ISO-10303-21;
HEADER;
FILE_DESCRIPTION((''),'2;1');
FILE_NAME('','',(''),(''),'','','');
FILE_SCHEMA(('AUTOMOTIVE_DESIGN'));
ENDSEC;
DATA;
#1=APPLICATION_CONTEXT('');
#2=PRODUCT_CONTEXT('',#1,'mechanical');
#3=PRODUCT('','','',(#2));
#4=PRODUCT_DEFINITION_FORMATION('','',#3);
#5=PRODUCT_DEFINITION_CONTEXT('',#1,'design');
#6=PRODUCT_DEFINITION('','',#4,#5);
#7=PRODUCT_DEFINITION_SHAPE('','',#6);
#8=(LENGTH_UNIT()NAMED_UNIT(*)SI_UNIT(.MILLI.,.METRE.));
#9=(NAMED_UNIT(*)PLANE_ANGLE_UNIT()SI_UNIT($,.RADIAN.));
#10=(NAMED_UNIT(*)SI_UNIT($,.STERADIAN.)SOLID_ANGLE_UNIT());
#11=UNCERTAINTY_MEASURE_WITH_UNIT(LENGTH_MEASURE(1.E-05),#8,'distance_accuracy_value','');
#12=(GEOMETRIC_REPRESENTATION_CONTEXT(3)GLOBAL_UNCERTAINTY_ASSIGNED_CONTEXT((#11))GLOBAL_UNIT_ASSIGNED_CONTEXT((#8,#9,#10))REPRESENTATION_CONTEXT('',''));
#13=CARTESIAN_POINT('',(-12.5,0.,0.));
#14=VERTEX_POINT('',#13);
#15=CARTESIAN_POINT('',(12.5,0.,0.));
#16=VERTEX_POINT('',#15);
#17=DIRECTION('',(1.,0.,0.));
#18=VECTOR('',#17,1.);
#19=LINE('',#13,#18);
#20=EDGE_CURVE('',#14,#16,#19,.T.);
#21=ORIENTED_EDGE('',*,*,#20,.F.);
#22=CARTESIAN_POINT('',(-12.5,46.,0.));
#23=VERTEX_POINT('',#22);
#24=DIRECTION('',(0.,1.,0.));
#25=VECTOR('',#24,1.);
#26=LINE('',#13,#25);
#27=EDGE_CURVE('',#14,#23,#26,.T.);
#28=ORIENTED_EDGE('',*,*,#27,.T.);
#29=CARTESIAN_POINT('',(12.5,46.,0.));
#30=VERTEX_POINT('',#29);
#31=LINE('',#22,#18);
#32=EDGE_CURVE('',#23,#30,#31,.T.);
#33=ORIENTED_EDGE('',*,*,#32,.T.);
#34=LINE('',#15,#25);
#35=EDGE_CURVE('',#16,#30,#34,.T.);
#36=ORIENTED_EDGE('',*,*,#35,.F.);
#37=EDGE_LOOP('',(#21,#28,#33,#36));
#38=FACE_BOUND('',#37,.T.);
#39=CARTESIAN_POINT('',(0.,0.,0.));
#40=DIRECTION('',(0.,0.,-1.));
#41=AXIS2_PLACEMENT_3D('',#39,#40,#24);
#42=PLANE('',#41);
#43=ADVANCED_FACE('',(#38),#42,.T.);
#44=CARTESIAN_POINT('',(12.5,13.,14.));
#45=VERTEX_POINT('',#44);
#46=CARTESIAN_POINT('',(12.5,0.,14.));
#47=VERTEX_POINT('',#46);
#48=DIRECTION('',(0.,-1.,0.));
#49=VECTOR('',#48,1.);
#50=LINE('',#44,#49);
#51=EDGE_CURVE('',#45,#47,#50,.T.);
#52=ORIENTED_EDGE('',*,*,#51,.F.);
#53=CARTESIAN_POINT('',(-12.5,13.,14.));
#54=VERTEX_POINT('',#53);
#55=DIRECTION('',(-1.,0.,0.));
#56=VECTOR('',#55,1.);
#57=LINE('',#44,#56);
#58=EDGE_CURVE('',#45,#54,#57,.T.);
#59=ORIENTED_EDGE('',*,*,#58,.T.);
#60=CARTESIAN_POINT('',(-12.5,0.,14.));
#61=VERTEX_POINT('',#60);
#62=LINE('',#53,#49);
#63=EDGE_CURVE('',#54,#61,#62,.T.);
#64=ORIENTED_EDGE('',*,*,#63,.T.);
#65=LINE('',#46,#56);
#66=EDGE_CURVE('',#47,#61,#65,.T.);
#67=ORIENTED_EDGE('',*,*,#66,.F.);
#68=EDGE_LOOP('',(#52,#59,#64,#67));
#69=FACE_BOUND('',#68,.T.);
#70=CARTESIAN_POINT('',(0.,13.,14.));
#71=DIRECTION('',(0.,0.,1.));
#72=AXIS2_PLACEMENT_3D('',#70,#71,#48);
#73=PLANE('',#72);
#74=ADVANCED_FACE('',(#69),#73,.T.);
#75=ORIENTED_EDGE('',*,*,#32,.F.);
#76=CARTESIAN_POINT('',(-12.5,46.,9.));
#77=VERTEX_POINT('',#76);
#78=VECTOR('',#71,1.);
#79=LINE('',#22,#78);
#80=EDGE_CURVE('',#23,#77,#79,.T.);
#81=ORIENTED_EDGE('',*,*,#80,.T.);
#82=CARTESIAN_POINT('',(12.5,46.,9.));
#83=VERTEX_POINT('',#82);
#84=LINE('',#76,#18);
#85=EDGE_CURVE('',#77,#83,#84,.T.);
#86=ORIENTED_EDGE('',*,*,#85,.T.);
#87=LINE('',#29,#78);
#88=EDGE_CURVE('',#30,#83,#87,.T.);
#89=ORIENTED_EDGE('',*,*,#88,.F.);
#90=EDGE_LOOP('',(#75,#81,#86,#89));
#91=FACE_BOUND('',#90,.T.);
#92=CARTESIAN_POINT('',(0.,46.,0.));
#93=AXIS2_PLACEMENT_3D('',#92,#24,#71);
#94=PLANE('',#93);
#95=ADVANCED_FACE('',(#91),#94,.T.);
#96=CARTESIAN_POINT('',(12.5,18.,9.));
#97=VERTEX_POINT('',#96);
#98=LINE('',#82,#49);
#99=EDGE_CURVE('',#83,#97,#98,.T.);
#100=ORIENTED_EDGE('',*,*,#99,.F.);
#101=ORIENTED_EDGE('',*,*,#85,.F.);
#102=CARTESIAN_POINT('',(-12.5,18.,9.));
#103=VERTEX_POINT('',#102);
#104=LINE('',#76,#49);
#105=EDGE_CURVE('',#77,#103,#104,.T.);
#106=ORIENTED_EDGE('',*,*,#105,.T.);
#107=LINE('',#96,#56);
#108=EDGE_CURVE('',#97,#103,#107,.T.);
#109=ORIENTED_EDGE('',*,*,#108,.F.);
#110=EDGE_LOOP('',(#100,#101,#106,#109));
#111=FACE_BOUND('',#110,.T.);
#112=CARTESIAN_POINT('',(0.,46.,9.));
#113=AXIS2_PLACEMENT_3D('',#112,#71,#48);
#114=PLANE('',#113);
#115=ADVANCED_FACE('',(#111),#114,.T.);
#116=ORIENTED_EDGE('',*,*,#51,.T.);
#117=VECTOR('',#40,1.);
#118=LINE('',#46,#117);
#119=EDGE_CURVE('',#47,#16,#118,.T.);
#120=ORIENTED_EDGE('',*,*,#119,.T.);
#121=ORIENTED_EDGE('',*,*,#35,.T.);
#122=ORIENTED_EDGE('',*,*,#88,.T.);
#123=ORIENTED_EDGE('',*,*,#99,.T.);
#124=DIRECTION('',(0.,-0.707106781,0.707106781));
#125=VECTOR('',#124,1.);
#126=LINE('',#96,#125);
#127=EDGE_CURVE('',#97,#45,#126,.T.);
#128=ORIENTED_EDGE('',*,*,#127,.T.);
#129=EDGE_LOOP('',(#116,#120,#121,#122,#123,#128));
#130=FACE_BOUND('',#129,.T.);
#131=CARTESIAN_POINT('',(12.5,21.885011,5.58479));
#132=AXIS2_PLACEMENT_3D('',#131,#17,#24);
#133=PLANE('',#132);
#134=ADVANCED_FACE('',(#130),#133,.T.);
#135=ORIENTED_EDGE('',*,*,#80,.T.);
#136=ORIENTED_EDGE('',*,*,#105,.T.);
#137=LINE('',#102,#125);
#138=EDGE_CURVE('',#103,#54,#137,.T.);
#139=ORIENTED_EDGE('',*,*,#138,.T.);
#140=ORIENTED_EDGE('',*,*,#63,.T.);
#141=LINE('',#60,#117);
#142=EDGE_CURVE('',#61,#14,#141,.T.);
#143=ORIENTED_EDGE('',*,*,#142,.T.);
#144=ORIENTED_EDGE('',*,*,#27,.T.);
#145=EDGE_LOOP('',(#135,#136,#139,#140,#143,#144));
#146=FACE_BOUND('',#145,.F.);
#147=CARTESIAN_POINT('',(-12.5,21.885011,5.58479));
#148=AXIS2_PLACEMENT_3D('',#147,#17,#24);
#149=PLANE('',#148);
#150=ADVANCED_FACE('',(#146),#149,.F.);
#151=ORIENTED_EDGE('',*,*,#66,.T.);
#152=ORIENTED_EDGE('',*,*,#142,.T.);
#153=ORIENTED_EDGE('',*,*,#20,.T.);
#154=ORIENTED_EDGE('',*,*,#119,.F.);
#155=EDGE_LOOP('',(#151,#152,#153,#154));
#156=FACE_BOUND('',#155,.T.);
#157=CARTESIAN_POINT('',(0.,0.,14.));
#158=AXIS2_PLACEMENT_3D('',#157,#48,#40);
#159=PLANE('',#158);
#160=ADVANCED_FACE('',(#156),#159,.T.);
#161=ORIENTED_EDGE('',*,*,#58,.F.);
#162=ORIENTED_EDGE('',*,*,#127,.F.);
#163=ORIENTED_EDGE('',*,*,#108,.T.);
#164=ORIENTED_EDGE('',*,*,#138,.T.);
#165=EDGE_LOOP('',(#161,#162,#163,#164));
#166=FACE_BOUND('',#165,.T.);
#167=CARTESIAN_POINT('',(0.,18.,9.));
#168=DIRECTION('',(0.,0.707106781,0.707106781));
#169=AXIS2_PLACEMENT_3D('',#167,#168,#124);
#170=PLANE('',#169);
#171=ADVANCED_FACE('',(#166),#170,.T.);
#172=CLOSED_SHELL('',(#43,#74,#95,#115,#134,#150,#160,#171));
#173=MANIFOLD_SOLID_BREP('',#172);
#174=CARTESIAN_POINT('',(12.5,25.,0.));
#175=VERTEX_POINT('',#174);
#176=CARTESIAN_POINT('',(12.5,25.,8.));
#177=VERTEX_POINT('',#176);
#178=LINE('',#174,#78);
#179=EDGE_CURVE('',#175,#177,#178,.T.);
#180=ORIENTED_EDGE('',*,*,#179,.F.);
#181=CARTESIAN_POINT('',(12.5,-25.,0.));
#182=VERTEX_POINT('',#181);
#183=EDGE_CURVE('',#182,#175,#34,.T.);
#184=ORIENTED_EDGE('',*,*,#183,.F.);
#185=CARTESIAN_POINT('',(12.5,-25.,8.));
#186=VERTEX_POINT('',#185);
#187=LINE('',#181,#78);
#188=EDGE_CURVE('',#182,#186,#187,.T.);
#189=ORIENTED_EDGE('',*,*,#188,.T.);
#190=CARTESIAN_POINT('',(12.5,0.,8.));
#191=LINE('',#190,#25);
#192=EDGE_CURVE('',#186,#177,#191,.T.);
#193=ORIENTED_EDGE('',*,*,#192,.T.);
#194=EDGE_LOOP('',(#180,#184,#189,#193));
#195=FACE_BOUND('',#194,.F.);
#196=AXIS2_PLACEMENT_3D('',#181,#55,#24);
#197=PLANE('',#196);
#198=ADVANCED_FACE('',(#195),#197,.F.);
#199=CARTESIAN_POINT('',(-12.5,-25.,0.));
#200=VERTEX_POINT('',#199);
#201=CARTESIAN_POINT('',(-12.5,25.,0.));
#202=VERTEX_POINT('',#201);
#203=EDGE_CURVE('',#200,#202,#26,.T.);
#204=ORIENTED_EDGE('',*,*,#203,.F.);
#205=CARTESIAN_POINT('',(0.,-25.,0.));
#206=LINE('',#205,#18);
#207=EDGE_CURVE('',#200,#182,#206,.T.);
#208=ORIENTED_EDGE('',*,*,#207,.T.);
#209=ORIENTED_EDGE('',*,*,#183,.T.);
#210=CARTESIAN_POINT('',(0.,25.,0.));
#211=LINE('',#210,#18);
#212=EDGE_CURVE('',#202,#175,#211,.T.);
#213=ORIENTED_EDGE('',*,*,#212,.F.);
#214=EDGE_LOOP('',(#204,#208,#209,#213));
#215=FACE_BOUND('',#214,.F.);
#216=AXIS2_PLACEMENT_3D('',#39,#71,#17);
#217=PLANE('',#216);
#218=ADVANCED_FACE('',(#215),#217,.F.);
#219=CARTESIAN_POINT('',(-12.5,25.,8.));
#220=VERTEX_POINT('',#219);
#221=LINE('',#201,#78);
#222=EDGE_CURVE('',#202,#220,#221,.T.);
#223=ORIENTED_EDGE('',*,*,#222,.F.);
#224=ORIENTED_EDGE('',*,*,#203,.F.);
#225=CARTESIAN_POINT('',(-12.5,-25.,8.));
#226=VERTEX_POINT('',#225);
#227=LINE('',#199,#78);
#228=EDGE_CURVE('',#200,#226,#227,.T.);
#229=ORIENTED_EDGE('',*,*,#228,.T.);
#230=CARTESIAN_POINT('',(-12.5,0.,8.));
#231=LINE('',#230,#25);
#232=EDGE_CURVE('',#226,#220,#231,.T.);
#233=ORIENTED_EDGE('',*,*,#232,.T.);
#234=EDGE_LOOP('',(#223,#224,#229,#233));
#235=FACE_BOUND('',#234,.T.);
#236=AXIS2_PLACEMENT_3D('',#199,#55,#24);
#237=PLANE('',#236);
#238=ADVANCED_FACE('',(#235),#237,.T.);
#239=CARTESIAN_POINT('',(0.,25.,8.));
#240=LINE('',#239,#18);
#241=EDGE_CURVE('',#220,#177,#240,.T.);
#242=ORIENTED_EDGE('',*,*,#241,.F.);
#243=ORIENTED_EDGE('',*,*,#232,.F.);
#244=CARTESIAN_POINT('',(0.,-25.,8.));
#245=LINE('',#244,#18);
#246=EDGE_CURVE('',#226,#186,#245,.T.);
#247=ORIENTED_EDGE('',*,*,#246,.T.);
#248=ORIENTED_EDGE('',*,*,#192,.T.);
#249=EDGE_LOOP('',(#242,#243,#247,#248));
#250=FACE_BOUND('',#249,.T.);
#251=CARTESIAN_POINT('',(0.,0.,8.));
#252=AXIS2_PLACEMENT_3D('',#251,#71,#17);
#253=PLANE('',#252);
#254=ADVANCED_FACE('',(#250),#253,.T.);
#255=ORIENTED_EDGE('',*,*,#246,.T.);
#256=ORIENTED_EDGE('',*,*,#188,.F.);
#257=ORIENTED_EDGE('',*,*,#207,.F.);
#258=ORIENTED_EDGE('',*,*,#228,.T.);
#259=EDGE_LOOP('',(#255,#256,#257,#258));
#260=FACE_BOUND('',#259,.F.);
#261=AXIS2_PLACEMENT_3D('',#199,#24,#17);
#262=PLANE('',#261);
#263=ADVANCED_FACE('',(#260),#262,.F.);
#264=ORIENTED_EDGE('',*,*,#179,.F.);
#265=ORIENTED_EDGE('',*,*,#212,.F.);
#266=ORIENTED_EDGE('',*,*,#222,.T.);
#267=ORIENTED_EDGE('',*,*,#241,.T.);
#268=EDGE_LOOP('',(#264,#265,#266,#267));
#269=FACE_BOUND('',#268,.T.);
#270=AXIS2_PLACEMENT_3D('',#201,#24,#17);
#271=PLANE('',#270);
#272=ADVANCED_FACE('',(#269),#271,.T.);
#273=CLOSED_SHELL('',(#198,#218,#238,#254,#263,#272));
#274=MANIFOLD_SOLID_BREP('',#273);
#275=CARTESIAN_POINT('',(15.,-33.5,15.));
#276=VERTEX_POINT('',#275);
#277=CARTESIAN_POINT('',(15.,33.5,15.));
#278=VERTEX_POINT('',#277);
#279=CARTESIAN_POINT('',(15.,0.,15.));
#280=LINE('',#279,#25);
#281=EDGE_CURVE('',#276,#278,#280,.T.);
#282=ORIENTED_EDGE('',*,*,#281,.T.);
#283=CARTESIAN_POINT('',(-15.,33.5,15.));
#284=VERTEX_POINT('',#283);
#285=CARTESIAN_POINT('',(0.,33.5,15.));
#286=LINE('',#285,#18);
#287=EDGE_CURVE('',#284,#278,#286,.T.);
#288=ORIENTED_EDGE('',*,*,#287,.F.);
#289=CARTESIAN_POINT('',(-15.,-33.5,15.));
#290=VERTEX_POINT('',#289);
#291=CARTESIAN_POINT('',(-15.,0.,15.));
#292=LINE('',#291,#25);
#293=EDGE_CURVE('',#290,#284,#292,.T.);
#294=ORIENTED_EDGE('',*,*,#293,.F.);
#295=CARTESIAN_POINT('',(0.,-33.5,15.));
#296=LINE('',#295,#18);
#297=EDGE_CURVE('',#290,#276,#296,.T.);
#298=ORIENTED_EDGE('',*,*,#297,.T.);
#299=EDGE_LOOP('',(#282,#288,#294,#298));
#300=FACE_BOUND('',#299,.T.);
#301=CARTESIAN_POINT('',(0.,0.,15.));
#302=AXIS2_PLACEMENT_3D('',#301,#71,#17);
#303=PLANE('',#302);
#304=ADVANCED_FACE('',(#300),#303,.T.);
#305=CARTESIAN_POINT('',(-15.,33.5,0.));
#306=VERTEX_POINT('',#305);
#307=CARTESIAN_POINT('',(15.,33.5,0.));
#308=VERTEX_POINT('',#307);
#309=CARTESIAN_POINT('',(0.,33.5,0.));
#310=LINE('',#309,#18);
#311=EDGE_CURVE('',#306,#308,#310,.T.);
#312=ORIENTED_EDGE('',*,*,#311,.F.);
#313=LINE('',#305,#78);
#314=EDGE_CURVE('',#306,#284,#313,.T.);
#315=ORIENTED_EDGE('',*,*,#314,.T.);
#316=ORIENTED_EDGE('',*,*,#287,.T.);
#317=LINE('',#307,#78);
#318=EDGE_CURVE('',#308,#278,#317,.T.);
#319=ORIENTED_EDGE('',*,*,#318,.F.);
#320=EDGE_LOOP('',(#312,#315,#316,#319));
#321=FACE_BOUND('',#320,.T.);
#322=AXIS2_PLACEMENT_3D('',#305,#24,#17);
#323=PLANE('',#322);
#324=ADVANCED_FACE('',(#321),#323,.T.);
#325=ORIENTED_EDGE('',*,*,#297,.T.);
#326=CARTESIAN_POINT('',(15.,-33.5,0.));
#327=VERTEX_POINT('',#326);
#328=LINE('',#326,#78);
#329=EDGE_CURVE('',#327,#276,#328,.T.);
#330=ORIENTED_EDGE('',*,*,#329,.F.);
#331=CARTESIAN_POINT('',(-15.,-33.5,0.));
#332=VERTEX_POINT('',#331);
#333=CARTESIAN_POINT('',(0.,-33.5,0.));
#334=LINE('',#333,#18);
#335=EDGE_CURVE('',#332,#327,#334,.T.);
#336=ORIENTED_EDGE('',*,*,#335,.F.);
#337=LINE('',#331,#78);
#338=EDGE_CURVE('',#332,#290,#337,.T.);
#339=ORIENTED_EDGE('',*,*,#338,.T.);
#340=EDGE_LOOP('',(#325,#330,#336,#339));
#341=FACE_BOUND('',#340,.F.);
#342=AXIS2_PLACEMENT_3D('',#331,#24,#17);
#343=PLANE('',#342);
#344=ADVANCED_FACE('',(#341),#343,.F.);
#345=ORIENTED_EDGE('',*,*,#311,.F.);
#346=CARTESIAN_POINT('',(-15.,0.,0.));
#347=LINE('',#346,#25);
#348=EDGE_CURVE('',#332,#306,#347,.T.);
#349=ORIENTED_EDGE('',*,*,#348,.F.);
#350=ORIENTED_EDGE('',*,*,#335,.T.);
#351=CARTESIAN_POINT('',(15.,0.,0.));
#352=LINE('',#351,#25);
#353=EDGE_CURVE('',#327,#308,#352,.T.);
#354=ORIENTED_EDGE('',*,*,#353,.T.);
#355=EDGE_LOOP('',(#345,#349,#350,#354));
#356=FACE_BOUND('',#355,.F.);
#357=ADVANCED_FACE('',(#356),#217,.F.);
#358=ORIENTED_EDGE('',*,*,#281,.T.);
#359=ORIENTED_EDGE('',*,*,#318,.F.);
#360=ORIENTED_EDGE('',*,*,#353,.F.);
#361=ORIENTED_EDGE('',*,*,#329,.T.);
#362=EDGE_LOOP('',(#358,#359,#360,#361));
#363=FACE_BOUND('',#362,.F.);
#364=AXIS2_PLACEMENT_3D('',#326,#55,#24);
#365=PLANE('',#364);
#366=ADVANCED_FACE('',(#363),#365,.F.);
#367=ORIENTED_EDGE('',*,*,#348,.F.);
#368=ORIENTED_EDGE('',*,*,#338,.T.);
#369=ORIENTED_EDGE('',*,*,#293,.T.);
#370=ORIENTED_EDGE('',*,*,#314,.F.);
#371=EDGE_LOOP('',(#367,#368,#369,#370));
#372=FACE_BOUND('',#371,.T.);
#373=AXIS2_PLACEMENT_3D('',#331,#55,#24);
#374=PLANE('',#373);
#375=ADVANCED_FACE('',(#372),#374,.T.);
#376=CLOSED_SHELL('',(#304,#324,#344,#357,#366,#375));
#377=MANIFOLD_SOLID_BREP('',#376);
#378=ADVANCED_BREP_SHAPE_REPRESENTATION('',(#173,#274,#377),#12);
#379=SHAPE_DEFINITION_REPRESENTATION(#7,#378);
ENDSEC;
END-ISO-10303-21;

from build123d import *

# Parameters (mm, degrees)
F1_DEPTH = 12.5
F2_W     = 30
F2_H     = 67
F3_DEPTH = 15
F4_W     = 25
F4_H     = 50
F5_DEPTH = 8


with BuildPart() as f1:
    # F0 (on Right) → F1 (new body, symmetric)
    with BuildSketch(Plane.YZ):
        Polygon((0, 14), (0, 0), (46, 0), (46, 9), (18, 9), (13, 14), align=None)
    extrude(amount=F1_DEPTH, both=True)


with BuildPart() as f3:
    # F2 (on Top) → F3 (new body)
    with BuildSketch(Plane.XY):
        Rectangle(F2_W, F2_H)
    extrude(amount=F3_DEPTH)


with BuildPart() as f5:
    # F4 (on Top) → F5 (new body)
    with BuildSketch(Plane.XY):
        Rectangle(F4_W, F4_H)
    extrude(amount=F5_DEPTH)


solid = Compound([f1.part, f3.part, f5.part])
